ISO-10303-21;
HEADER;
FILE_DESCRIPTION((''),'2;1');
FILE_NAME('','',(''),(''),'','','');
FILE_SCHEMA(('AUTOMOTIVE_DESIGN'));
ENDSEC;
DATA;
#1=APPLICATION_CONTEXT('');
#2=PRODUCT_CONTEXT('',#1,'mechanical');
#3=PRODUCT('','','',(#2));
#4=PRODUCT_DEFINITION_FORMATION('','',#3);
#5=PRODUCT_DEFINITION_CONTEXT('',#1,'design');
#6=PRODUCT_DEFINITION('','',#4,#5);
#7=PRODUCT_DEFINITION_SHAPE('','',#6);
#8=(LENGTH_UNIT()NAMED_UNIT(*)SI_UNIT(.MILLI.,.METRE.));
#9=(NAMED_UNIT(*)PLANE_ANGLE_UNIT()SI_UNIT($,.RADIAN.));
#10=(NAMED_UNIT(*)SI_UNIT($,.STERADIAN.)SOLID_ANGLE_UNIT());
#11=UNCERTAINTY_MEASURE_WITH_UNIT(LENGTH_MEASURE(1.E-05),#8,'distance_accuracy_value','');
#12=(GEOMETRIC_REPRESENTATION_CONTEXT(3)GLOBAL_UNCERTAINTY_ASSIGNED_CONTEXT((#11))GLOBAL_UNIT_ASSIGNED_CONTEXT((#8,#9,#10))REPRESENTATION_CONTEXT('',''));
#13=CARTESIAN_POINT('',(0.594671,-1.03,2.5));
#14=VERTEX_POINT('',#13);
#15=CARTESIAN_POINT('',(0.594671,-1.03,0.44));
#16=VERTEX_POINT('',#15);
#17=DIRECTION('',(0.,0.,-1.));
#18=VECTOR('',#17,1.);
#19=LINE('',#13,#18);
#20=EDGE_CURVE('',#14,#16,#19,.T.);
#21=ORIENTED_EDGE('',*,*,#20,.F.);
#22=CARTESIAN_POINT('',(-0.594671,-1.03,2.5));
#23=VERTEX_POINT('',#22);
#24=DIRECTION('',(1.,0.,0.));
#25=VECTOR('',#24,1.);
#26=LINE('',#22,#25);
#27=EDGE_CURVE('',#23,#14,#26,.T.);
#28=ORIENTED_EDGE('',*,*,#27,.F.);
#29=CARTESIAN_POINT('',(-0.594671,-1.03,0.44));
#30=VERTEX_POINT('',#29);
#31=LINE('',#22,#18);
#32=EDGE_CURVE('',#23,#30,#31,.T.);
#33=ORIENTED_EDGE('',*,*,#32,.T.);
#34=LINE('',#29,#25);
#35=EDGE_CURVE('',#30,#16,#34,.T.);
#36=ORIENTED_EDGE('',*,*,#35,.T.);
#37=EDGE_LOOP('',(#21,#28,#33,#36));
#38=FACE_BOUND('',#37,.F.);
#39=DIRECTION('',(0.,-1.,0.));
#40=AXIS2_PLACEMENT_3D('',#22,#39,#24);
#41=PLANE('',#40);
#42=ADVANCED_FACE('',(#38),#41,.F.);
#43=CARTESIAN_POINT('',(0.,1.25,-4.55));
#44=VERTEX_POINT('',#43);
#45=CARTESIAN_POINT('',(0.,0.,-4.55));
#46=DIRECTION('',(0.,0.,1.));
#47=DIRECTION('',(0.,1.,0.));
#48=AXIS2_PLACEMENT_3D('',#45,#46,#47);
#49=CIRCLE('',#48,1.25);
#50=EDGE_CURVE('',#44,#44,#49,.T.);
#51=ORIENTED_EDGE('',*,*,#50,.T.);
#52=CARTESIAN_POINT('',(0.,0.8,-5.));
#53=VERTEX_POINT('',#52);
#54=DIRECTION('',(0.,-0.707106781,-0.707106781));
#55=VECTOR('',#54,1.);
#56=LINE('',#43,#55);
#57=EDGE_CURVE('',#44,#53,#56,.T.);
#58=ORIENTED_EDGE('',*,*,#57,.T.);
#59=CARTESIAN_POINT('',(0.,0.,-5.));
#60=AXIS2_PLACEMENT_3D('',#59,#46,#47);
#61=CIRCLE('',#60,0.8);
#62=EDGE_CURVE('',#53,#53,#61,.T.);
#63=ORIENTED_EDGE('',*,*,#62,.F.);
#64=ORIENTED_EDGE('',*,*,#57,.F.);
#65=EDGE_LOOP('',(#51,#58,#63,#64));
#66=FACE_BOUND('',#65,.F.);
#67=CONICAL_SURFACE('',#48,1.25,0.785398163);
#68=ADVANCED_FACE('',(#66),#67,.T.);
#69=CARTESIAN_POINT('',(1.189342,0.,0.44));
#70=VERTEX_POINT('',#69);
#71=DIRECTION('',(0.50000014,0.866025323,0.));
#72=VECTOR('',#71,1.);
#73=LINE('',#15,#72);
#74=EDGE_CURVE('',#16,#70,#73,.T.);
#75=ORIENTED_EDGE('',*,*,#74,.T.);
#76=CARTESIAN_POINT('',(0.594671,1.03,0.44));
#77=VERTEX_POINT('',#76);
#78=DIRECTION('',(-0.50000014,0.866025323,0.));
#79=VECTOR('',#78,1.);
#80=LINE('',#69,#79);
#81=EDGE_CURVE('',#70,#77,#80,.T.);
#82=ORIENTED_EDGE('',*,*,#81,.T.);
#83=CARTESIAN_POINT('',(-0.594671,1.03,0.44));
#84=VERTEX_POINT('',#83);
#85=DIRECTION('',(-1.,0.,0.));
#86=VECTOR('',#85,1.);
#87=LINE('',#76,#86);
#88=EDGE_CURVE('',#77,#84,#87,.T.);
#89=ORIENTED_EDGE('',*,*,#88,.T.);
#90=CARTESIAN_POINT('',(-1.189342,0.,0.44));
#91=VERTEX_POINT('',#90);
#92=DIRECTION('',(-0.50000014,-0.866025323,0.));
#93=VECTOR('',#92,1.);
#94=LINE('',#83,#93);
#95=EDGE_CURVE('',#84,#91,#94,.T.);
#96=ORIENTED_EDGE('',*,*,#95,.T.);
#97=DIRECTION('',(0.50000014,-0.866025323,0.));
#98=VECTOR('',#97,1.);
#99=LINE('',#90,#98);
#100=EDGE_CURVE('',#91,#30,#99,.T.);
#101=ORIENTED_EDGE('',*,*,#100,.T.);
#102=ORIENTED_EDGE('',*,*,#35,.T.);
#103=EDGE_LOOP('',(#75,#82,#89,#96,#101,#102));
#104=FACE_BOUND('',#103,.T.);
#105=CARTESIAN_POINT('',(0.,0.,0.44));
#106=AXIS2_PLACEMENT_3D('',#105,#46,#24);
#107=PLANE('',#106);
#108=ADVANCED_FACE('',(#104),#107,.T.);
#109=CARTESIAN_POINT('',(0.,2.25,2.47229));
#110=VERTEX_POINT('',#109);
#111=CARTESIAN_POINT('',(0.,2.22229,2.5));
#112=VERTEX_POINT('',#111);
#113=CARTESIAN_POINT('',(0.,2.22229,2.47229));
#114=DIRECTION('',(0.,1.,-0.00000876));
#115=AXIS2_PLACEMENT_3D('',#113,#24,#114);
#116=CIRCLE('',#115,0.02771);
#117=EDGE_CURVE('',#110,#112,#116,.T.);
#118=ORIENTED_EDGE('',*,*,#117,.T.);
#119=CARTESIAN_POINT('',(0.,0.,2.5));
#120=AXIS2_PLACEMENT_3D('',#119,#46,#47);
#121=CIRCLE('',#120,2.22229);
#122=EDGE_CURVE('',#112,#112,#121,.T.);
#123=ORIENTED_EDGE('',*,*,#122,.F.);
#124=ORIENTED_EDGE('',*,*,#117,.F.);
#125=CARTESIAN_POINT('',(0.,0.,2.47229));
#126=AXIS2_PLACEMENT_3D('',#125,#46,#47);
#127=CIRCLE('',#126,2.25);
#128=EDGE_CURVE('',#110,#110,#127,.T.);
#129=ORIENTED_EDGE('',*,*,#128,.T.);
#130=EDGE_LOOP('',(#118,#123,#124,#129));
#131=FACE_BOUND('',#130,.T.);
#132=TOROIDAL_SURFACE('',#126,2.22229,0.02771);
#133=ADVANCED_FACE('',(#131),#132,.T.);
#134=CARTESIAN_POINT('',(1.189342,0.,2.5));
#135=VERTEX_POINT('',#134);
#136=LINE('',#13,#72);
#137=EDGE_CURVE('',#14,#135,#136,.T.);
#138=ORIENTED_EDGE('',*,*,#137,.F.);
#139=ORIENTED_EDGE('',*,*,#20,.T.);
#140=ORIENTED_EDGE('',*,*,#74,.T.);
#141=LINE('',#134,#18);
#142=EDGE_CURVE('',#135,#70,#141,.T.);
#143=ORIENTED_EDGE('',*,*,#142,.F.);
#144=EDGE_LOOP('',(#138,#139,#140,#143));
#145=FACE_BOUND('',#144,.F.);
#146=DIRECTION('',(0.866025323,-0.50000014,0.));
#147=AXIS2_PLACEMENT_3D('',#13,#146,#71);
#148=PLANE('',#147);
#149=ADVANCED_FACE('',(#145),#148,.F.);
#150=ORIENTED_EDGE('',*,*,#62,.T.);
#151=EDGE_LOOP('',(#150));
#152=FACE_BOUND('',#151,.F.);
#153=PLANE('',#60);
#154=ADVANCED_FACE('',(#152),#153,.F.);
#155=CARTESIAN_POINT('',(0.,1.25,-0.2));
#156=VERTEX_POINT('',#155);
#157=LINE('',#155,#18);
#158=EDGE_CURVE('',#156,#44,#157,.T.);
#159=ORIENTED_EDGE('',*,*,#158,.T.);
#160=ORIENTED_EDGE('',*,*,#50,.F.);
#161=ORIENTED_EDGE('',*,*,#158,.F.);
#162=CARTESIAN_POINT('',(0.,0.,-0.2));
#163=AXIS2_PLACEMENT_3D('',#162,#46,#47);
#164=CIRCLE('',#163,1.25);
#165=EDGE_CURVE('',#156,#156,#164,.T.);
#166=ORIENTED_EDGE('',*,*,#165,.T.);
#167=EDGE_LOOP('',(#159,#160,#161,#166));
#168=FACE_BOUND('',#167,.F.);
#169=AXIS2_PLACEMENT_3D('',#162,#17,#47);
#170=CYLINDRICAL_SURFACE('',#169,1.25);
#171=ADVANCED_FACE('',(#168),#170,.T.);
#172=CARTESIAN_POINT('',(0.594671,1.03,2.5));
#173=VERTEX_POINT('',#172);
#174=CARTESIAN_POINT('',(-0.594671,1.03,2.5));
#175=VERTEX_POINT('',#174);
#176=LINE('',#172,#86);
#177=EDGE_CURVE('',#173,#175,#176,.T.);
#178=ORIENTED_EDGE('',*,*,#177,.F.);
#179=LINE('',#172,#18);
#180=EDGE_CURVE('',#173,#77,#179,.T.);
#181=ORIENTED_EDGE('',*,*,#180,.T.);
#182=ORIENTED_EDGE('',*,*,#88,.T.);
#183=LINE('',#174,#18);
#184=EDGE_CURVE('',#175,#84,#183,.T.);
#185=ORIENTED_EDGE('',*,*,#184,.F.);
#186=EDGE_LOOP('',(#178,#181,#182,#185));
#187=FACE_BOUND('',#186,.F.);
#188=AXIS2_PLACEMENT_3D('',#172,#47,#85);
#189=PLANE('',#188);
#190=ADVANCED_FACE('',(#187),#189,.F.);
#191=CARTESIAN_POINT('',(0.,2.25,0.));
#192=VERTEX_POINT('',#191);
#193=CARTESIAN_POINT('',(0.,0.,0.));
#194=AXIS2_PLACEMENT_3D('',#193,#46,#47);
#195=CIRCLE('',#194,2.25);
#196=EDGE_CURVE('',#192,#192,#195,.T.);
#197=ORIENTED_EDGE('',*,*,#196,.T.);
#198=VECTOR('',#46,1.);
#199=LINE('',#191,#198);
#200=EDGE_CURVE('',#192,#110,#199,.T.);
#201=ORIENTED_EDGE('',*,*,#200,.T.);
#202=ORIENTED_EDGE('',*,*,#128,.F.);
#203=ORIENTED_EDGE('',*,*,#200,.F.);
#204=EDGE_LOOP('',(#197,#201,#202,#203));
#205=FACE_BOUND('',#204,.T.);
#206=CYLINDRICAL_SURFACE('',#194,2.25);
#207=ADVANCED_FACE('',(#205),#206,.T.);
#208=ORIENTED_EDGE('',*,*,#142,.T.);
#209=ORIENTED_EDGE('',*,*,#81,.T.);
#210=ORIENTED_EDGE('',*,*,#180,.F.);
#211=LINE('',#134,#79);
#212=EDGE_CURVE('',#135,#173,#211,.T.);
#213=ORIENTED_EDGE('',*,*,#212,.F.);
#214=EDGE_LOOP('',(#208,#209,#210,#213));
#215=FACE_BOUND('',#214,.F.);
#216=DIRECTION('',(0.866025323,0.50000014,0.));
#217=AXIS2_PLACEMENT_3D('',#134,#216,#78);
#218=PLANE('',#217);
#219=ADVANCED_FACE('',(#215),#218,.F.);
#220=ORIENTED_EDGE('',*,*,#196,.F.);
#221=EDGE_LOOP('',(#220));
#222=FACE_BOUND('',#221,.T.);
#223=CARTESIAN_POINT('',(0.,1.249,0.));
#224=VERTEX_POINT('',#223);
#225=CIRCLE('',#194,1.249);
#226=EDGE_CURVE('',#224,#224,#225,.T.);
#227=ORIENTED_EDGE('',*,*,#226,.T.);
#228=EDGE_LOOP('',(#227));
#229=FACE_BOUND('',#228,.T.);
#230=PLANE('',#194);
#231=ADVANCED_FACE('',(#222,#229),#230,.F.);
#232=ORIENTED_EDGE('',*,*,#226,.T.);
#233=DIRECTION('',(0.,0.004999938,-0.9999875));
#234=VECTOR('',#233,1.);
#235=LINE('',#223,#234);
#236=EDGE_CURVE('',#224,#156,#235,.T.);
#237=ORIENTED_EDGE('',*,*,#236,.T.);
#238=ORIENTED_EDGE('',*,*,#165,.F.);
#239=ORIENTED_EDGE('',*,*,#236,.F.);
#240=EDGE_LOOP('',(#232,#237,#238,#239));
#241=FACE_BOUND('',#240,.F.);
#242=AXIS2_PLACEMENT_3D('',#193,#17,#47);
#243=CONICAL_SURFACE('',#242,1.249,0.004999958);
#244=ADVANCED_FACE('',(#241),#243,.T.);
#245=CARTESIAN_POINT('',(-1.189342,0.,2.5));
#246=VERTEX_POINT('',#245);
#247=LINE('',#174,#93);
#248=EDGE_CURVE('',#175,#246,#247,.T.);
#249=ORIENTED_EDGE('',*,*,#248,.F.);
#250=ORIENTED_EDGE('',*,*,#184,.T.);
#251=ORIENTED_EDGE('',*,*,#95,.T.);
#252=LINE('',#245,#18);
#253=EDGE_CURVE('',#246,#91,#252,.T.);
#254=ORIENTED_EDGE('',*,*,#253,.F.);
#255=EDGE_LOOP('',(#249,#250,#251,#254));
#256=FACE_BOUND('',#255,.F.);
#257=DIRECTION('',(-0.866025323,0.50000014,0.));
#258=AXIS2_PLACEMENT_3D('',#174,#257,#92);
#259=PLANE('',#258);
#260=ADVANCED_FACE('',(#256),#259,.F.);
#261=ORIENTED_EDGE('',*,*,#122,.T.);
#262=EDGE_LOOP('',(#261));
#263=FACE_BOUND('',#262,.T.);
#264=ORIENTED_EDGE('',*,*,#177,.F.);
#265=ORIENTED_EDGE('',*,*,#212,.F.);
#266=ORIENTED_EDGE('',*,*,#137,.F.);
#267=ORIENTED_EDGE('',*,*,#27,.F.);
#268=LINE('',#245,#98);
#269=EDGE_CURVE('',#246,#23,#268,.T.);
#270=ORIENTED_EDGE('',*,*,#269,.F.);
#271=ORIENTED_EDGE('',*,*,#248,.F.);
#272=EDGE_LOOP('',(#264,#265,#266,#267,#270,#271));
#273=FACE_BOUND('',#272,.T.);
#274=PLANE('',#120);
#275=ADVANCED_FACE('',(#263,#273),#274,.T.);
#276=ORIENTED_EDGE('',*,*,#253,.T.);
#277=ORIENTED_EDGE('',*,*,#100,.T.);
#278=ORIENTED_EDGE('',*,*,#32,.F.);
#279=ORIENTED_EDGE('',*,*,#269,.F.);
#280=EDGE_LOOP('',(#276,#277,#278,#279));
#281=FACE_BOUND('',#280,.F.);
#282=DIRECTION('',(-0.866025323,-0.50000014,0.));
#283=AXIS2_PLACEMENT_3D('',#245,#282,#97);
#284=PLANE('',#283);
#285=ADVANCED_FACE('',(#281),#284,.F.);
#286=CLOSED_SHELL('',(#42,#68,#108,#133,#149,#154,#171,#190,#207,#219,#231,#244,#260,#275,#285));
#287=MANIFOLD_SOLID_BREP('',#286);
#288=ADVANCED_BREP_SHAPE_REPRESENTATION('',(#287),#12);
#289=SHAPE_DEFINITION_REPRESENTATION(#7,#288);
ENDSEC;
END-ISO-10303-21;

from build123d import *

# Parameters (mm, degrees)
POCKET_DEPTH = 2.06


with BuildPart() as part:
    # Sketch → Revolve (revolve)
    with BuildSketch(Plane.YZ):
        with BuildLine():
            Line((1.249, 0), (2.25, 0))
            Line((2.25, 0), (2.25, 2.47229))
            ThreePointArc((2.25, 2.47229), (2.241884, 2.491884), (2.22229, 2.5))
            Line((2.22229, 2.5), (0, 2.5))
            Line((0, -5), (0, 2.5))
            Line((0.8, -5), (0, -5))
            Line((1.25, -4.55), (0.8, -5))
            Line((1.25, -0.2), (1.25, -4.55))
            Line((1.249, 0), (1.25, -0.2))
        make_face()
    revolve(axis=Axis((0, 0, 0), (0, 0, 1)))

    # Sketch001 → Pocket (cut)
    with BuildSketch(Plane.XY.offset(2.5)):
        Polygon((1.189342, 0), (0.594671, 1.03), (-0.594671, 1.03), (-1.189342, 0), (-0.594671, -1.03), (0.594671, -1.03), align=None)
    extrude(amount=-POCKET_DEPTH, mode=Mode.SUBTRACT)


solid = part.part
